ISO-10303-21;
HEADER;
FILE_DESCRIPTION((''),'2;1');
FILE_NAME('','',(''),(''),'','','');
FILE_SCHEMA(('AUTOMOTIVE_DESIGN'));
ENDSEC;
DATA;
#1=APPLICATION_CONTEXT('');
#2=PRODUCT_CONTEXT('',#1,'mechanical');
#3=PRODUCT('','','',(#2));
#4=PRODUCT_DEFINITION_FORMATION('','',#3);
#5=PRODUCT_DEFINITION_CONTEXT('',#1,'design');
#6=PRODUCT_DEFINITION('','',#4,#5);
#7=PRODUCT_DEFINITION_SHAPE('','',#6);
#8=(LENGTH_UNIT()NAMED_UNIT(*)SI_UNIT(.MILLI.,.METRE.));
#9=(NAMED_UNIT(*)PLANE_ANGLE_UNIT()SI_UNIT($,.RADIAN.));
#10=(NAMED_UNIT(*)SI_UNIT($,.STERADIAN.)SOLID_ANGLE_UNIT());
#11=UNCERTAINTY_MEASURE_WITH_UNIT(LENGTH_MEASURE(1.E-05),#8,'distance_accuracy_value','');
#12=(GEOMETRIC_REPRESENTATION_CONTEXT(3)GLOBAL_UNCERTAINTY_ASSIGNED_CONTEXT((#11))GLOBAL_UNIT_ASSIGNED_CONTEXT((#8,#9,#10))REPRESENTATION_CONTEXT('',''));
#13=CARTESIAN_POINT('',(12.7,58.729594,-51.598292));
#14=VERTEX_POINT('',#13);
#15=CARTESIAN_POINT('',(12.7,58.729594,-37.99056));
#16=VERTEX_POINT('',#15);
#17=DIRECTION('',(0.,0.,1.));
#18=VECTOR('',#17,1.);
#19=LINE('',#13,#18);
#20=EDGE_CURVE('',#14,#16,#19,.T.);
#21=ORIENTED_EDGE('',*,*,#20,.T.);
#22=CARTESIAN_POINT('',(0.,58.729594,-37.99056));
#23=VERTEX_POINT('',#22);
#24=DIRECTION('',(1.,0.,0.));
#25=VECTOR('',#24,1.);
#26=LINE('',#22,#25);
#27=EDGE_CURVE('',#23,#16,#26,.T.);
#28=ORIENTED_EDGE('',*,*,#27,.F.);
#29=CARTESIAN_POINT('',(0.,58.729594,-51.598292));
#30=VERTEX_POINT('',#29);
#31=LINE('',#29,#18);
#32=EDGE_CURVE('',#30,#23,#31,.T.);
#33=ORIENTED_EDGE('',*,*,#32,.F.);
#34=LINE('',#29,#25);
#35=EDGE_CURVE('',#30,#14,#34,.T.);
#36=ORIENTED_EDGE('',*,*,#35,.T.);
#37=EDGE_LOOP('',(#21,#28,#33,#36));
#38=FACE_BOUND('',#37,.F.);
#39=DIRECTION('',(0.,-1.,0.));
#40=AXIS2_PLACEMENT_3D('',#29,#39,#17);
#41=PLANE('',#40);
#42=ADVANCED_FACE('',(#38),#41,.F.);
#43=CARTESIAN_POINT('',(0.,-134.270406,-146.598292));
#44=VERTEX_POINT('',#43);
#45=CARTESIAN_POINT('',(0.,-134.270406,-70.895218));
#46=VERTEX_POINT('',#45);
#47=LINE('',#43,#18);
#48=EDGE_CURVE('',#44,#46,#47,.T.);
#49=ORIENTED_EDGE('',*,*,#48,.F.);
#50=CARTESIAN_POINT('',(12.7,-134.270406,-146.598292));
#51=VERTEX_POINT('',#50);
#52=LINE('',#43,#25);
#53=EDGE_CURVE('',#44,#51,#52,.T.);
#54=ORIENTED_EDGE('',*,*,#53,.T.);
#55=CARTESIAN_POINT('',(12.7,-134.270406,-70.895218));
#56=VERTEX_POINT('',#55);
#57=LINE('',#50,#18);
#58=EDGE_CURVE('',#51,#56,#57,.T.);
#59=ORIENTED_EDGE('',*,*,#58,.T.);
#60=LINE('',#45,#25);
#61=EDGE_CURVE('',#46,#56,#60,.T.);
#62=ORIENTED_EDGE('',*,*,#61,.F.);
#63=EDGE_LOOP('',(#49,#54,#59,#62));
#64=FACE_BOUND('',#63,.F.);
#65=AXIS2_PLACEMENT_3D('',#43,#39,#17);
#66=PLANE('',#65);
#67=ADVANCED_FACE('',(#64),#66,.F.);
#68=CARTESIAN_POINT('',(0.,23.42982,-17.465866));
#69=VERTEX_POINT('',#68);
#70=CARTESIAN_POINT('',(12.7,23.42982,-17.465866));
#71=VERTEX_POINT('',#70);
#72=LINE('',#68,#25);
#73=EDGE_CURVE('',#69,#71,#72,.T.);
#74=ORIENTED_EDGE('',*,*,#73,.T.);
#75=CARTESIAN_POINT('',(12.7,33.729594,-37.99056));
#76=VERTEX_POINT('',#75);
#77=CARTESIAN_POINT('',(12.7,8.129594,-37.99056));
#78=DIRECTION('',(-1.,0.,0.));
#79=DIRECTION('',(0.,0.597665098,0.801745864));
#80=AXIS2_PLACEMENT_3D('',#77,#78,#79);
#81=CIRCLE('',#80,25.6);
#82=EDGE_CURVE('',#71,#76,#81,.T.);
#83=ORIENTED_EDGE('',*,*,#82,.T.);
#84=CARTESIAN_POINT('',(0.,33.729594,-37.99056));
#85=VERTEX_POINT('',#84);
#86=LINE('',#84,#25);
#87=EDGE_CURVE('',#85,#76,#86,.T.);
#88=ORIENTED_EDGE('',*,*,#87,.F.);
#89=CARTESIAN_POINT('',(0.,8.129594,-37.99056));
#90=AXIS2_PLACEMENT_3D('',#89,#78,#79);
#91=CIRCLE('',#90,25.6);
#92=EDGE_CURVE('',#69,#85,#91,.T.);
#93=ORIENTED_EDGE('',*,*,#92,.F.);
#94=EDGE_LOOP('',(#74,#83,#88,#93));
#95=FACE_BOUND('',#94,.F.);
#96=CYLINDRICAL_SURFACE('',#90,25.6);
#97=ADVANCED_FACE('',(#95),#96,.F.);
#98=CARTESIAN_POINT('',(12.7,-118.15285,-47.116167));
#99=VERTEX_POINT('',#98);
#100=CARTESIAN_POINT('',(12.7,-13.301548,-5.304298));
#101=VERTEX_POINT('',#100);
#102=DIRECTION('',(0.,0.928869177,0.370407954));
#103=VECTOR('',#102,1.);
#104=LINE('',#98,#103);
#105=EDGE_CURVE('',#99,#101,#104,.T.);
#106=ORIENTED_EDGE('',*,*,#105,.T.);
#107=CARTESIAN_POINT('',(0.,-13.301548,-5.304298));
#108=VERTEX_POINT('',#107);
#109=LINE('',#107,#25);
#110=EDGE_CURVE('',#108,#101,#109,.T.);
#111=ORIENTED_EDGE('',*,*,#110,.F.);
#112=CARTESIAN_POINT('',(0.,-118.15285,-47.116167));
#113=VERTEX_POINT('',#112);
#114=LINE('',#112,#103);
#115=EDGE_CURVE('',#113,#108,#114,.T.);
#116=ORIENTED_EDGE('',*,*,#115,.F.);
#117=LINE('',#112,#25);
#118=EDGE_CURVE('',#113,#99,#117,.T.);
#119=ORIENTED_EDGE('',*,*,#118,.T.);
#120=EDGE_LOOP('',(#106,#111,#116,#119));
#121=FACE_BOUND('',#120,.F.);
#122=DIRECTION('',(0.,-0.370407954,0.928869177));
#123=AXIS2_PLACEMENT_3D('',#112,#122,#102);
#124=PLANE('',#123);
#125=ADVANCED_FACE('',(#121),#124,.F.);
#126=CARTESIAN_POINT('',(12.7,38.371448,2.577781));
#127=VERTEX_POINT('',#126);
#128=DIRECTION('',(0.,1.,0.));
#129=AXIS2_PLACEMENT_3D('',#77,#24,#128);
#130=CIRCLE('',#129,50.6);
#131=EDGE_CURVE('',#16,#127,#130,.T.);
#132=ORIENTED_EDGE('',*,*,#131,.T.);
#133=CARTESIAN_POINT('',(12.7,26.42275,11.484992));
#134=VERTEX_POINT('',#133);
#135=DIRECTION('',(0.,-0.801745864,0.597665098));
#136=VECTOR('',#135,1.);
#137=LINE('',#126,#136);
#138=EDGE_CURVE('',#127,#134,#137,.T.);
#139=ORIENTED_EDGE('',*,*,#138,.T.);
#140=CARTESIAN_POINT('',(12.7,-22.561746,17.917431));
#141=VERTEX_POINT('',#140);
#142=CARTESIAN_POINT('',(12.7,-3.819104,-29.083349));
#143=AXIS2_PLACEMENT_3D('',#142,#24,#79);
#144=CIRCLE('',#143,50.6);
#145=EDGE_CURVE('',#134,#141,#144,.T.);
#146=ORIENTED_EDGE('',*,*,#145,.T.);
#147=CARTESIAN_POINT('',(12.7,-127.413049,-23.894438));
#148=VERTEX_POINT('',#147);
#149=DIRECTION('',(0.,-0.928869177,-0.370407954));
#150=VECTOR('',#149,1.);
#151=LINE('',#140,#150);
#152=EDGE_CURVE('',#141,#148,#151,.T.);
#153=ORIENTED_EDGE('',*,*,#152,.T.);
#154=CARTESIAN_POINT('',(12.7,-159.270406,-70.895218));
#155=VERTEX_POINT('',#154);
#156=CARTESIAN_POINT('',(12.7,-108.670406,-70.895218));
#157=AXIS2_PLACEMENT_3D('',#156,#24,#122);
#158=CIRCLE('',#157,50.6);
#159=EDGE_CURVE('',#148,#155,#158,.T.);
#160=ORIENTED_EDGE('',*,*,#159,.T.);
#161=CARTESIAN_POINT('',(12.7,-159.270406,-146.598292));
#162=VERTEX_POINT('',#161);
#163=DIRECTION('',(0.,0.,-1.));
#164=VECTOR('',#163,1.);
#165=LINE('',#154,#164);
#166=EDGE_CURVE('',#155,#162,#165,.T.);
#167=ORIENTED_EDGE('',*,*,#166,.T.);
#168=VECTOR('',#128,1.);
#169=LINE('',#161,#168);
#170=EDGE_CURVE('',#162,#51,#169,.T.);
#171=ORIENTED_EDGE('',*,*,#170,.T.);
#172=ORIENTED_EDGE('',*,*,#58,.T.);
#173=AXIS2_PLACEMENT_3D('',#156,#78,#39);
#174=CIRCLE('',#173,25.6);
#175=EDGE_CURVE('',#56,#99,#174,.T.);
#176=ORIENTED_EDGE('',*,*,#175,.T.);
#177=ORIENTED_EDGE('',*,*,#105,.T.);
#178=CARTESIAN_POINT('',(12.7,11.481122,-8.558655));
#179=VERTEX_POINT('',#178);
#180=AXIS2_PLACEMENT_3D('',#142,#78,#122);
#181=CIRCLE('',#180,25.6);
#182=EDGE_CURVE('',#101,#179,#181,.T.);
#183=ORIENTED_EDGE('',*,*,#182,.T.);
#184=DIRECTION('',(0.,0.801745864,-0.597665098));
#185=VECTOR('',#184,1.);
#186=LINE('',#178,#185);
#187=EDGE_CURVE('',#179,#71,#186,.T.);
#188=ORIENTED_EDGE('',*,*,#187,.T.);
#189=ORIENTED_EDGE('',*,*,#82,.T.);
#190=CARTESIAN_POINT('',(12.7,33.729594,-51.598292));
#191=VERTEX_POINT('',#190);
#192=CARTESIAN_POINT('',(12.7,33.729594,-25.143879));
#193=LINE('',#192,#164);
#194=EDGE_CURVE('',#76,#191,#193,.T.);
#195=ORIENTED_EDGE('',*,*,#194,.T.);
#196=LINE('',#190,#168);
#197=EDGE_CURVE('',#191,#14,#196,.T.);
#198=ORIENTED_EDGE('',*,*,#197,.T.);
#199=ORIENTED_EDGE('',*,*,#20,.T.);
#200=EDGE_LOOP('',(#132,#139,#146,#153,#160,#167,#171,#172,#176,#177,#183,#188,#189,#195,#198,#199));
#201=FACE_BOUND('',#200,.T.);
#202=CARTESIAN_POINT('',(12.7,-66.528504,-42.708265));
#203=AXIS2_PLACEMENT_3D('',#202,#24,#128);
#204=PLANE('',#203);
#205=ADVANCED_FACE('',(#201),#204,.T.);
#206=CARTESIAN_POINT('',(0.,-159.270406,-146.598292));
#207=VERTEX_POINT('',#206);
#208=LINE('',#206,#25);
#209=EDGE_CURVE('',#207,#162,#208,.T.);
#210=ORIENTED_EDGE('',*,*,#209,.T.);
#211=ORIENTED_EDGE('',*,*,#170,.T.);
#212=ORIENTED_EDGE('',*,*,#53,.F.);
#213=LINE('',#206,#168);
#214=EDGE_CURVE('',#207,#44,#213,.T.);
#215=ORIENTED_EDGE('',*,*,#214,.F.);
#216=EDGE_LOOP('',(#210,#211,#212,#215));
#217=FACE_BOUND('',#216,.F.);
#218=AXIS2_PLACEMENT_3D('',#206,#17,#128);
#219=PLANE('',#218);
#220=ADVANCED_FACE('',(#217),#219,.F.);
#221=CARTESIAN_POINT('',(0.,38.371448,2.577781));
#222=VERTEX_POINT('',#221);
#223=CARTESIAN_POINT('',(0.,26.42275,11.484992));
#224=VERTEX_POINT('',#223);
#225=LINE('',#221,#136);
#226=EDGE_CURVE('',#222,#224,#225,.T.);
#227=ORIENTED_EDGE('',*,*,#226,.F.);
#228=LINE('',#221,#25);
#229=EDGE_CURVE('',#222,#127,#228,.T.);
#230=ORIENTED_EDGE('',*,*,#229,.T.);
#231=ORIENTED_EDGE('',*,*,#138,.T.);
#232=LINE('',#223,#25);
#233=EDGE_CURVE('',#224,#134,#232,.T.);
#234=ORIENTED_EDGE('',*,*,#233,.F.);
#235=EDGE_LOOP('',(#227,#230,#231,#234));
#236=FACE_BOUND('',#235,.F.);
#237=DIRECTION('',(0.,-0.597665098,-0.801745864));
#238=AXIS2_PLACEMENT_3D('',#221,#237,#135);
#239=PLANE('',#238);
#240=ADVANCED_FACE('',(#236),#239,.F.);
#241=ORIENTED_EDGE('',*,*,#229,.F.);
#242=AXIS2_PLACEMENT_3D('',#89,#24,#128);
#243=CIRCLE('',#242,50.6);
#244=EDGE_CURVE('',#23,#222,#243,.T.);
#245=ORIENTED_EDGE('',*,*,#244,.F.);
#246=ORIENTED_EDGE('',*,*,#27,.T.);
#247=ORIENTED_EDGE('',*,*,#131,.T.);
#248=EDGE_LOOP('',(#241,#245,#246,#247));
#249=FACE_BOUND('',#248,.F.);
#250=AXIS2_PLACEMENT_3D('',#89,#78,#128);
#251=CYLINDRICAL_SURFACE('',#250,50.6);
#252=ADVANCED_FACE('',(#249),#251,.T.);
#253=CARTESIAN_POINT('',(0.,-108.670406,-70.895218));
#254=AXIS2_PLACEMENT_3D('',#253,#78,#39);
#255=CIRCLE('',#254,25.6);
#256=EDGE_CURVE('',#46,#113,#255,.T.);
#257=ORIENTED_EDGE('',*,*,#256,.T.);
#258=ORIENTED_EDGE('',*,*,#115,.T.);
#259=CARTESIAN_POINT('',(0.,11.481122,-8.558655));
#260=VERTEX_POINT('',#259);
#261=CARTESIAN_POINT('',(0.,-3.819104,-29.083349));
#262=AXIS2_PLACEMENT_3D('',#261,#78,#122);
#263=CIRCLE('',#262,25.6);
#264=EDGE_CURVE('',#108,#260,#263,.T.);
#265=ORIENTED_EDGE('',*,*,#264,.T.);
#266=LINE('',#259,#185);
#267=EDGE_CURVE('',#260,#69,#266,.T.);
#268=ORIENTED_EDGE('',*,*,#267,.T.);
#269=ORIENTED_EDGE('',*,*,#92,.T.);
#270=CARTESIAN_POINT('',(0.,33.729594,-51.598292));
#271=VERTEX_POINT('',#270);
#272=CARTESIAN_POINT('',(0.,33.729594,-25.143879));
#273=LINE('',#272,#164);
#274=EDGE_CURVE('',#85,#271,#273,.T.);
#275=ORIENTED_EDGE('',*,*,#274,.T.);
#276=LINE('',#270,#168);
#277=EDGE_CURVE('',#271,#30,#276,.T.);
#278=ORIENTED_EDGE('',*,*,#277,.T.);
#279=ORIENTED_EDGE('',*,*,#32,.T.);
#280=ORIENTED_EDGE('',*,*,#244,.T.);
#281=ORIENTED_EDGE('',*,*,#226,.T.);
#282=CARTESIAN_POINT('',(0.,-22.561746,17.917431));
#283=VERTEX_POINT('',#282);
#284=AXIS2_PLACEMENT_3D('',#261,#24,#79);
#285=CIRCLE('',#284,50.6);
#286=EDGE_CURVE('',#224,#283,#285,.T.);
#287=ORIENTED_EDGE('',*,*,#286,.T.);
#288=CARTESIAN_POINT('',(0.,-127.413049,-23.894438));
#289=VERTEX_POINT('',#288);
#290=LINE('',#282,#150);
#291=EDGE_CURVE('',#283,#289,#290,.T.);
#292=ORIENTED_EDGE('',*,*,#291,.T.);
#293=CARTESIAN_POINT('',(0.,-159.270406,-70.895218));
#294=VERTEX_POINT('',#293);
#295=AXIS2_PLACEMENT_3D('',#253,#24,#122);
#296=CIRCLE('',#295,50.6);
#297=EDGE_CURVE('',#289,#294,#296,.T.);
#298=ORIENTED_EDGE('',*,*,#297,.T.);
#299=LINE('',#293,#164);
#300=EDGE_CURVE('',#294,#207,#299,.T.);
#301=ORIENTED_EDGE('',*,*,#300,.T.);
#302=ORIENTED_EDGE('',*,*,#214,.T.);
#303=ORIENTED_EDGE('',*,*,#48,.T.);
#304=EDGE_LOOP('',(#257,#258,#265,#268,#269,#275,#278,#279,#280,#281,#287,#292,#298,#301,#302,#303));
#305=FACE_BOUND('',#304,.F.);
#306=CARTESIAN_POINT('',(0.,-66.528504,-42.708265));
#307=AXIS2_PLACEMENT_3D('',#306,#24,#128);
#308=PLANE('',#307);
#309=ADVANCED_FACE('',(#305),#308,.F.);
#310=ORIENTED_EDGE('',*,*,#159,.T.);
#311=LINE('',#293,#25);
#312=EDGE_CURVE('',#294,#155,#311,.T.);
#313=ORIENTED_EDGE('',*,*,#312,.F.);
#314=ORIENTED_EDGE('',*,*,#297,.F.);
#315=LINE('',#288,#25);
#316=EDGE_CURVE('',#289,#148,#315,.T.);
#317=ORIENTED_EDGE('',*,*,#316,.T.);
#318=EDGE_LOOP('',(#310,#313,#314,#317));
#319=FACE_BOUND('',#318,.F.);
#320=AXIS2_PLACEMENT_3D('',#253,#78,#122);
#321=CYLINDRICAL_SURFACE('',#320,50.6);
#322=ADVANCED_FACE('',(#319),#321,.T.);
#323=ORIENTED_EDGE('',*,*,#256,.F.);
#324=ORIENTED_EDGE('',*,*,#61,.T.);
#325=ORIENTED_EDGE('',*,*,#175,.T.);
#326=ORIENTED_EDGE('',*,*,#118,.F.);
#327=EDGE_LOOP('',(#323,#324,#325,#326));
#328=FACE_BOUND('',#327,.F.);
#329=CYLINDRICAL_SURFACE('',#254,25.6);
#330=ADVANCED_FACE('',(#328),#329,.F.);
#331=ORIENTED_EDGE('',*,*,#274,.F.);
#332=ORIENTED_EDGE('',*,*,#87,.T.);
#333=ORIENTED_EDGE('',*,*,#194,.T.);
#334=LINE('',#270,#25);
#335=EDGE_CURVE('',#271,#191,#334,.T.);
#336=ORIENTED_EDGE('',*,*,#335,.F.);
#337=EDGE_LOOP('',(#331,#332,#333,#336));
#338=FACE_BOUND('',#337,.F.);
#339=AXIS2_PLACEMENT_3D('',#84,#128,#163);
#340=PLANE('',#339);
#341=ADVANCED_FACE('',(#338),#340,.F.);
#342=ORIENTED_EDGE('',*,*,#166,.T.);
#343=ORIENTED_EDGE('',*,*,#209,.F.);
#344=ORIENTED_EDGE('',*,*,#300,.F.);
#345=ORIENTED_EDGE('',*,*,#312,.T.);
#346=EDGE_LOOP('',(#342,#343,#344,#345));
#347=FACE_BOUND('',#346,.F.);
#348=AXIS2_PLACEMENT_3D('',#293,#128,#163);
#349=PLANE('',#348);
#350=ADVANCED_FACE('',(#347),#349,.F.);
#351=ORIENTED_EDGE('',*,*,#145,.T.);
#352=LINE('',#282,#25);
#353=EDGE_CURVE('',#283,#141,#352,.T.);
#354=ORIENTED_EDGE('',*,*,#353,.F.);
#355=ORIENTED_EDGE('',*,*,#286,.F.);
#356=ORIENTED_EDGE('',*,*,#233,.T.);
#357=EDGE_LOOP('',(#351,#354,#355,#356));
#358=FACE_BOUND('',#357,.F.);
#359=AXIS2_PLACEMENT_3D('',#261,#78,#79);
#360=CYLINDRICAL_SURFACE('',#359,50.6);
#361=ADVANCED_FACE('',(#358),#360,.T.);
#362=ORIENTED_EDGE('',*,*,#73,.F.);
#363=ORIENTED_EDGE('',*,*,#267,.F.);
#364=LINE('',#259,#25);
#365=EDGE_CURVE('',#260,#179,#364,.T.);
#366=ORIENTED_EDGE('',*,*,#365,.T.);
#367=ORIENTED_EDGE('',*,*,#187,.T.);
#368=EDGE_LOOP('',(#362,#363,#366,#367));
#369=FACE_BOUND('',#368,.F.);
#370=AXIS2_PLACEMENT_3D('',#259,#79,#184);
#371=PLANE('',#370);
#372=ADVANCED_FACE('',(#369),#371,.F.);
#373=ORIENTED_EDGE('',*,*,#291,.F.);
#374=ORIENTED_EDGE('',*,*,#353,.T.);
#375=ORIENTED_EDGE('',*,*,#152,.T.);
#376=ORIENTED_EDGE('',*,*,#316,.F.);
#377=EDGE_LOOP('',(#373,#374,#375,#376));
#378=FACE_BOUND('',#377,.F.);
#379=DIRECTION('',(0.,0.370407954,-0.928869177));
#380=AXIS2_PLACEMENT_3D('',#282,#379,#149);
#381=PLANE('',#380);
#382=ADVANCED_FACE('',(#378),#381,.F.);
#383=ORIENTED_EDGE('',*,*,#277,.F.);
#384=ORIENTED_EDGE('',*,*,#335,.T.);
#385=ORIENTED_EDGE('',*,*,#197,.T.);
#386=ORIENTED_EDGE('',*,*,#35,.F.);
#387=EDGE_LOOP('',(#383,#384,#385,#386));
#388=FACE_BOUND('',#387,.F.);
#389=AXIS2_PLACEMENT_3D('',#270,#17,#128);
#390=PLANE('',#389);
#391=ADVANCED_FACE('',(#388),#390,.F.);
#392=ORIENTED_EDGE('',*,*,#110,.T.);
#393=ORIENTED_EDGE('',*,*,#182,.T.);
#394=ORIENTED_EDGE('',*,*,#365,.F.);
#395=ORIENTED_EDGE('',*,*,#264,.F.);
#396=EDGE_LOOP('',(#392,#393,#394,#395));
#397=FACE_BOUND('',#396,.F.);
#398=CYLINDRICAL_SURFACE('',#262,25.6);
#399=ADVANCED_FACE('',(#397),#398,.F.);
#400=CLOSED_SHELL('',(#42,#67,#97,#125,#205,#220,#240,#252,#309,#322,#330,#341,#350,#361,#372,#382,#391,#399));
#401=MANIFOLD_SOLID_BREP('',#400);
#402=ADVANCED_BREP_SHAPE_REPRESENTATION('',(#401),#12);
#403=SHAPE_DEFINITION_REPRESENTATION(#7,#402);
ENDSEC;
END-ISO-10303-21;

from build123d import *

# Parameters (mm, degrees)
F1_DEPTH = 12.7


with BuildPart() as f1:
    # F0 (on Right) → F1 (new body)
    with BuildSketch(Plane.YZ):
        with BuildLine():
            ThreePointArc((-127.4130486986, -23.8944376975), (-150.5555928046, -42.505234855), (-159.2704062288, -70.8952180447))
            Line((-159.2704062288, -70.8952180447), (-159.2704062288, -146.5982919273))
            Line((-159.2704062288, -146.5982919273), (-134.2704062288, -146.5982919273))
            Line((-134.2704062288, -146.5982919273), (-134.2704062288, -70.8952180447))
            Line((-134.2704062288, -70.8952180447), (-134.2704062288, -53.5434135268))
            Line((-134.2704062288, -53.5434135268), (-118.1528498499, -47.1161671181))
            Line((-118.1528498499, -47.1161671181), (-13.3015476427, -5.3042981397))
            Line((-13.3015476427, -5.3042981397), (0, 0))
            Line((0, 0), (11.4811224988, -8.5586549536))
            Line((11.4811224988, -8.5586549536), (23.4298202916, -17.4658660356))
            Line((23.4298202916, -17.4658660356), (33.7295937712, -25.143878993))
            Line((33.7295937712, -25.143878993), (33.7295937712, -37.9905601483))
            Line((33.7295937712, -37.9905601483), (33.7295937712, -51.5982919273))
            Line((33.7295937712, -51.5982919273), (58.7295937712, -51.5982919273))
            Line((58.7295937712, -51.5982919273), (58.7295937712, -37.9905601483))
            ThreePointArc((58.7295937712, -37.9905601483), (53.3545747633, -15.295602685), (38.371447753, 2.577780559))
            Line((38.371447753, 2.577780559), (26.4227499601, 11.4849916409))
            ThreePointArc((26.4227499601, 11.4849916409), (2.7689181611, 21.0859439695), (-22.5617464914, 17.9174312808))
            Line((-22.5617464914, 17.9174312808), (-127.4130486986, -23.8944376975))
        make_face()
        with BuildLine():
            Line((-134.2704062288, -53.5434135268), (-134.2704062288, -70.8952180447))
            ThreePointArc((-134.2704062288, -70.8952180447), (-129.8613306624, -56.5319063914), (-118.1528498499, -47.1161671181))
            Line((-118.1528498499, -47.1161671181), (-134.2704062288, -53.5434135268))
        make_face()
        with BuildLine():
            Line((0, 0), (-13.3015476427, -5.3042981397))
            ThreePointArc((-13.3015476427, -5.3042981397), (-0.4860335102, -3.7012561471), (11.4811224988, -8.5586549536))
            Line((11.4811224988, -8.5586549536), (0, 0))
        make_face()
        with BuildLine():
            Line((33.7295937712, -25.143878993), (23.4298202916, -17.4658660356))
            ThreePointArc((23.4298202916, -17.4658660356), (31.0102165656, -26.5085263329), (33.7295937712, -37.9905601483))
            Line((33.7295937712, -37.9905601483), (33.7295937712, -25.143878993))
        make_face()
    extrude(amount=F1_DEPTH)


solid = f1.part
